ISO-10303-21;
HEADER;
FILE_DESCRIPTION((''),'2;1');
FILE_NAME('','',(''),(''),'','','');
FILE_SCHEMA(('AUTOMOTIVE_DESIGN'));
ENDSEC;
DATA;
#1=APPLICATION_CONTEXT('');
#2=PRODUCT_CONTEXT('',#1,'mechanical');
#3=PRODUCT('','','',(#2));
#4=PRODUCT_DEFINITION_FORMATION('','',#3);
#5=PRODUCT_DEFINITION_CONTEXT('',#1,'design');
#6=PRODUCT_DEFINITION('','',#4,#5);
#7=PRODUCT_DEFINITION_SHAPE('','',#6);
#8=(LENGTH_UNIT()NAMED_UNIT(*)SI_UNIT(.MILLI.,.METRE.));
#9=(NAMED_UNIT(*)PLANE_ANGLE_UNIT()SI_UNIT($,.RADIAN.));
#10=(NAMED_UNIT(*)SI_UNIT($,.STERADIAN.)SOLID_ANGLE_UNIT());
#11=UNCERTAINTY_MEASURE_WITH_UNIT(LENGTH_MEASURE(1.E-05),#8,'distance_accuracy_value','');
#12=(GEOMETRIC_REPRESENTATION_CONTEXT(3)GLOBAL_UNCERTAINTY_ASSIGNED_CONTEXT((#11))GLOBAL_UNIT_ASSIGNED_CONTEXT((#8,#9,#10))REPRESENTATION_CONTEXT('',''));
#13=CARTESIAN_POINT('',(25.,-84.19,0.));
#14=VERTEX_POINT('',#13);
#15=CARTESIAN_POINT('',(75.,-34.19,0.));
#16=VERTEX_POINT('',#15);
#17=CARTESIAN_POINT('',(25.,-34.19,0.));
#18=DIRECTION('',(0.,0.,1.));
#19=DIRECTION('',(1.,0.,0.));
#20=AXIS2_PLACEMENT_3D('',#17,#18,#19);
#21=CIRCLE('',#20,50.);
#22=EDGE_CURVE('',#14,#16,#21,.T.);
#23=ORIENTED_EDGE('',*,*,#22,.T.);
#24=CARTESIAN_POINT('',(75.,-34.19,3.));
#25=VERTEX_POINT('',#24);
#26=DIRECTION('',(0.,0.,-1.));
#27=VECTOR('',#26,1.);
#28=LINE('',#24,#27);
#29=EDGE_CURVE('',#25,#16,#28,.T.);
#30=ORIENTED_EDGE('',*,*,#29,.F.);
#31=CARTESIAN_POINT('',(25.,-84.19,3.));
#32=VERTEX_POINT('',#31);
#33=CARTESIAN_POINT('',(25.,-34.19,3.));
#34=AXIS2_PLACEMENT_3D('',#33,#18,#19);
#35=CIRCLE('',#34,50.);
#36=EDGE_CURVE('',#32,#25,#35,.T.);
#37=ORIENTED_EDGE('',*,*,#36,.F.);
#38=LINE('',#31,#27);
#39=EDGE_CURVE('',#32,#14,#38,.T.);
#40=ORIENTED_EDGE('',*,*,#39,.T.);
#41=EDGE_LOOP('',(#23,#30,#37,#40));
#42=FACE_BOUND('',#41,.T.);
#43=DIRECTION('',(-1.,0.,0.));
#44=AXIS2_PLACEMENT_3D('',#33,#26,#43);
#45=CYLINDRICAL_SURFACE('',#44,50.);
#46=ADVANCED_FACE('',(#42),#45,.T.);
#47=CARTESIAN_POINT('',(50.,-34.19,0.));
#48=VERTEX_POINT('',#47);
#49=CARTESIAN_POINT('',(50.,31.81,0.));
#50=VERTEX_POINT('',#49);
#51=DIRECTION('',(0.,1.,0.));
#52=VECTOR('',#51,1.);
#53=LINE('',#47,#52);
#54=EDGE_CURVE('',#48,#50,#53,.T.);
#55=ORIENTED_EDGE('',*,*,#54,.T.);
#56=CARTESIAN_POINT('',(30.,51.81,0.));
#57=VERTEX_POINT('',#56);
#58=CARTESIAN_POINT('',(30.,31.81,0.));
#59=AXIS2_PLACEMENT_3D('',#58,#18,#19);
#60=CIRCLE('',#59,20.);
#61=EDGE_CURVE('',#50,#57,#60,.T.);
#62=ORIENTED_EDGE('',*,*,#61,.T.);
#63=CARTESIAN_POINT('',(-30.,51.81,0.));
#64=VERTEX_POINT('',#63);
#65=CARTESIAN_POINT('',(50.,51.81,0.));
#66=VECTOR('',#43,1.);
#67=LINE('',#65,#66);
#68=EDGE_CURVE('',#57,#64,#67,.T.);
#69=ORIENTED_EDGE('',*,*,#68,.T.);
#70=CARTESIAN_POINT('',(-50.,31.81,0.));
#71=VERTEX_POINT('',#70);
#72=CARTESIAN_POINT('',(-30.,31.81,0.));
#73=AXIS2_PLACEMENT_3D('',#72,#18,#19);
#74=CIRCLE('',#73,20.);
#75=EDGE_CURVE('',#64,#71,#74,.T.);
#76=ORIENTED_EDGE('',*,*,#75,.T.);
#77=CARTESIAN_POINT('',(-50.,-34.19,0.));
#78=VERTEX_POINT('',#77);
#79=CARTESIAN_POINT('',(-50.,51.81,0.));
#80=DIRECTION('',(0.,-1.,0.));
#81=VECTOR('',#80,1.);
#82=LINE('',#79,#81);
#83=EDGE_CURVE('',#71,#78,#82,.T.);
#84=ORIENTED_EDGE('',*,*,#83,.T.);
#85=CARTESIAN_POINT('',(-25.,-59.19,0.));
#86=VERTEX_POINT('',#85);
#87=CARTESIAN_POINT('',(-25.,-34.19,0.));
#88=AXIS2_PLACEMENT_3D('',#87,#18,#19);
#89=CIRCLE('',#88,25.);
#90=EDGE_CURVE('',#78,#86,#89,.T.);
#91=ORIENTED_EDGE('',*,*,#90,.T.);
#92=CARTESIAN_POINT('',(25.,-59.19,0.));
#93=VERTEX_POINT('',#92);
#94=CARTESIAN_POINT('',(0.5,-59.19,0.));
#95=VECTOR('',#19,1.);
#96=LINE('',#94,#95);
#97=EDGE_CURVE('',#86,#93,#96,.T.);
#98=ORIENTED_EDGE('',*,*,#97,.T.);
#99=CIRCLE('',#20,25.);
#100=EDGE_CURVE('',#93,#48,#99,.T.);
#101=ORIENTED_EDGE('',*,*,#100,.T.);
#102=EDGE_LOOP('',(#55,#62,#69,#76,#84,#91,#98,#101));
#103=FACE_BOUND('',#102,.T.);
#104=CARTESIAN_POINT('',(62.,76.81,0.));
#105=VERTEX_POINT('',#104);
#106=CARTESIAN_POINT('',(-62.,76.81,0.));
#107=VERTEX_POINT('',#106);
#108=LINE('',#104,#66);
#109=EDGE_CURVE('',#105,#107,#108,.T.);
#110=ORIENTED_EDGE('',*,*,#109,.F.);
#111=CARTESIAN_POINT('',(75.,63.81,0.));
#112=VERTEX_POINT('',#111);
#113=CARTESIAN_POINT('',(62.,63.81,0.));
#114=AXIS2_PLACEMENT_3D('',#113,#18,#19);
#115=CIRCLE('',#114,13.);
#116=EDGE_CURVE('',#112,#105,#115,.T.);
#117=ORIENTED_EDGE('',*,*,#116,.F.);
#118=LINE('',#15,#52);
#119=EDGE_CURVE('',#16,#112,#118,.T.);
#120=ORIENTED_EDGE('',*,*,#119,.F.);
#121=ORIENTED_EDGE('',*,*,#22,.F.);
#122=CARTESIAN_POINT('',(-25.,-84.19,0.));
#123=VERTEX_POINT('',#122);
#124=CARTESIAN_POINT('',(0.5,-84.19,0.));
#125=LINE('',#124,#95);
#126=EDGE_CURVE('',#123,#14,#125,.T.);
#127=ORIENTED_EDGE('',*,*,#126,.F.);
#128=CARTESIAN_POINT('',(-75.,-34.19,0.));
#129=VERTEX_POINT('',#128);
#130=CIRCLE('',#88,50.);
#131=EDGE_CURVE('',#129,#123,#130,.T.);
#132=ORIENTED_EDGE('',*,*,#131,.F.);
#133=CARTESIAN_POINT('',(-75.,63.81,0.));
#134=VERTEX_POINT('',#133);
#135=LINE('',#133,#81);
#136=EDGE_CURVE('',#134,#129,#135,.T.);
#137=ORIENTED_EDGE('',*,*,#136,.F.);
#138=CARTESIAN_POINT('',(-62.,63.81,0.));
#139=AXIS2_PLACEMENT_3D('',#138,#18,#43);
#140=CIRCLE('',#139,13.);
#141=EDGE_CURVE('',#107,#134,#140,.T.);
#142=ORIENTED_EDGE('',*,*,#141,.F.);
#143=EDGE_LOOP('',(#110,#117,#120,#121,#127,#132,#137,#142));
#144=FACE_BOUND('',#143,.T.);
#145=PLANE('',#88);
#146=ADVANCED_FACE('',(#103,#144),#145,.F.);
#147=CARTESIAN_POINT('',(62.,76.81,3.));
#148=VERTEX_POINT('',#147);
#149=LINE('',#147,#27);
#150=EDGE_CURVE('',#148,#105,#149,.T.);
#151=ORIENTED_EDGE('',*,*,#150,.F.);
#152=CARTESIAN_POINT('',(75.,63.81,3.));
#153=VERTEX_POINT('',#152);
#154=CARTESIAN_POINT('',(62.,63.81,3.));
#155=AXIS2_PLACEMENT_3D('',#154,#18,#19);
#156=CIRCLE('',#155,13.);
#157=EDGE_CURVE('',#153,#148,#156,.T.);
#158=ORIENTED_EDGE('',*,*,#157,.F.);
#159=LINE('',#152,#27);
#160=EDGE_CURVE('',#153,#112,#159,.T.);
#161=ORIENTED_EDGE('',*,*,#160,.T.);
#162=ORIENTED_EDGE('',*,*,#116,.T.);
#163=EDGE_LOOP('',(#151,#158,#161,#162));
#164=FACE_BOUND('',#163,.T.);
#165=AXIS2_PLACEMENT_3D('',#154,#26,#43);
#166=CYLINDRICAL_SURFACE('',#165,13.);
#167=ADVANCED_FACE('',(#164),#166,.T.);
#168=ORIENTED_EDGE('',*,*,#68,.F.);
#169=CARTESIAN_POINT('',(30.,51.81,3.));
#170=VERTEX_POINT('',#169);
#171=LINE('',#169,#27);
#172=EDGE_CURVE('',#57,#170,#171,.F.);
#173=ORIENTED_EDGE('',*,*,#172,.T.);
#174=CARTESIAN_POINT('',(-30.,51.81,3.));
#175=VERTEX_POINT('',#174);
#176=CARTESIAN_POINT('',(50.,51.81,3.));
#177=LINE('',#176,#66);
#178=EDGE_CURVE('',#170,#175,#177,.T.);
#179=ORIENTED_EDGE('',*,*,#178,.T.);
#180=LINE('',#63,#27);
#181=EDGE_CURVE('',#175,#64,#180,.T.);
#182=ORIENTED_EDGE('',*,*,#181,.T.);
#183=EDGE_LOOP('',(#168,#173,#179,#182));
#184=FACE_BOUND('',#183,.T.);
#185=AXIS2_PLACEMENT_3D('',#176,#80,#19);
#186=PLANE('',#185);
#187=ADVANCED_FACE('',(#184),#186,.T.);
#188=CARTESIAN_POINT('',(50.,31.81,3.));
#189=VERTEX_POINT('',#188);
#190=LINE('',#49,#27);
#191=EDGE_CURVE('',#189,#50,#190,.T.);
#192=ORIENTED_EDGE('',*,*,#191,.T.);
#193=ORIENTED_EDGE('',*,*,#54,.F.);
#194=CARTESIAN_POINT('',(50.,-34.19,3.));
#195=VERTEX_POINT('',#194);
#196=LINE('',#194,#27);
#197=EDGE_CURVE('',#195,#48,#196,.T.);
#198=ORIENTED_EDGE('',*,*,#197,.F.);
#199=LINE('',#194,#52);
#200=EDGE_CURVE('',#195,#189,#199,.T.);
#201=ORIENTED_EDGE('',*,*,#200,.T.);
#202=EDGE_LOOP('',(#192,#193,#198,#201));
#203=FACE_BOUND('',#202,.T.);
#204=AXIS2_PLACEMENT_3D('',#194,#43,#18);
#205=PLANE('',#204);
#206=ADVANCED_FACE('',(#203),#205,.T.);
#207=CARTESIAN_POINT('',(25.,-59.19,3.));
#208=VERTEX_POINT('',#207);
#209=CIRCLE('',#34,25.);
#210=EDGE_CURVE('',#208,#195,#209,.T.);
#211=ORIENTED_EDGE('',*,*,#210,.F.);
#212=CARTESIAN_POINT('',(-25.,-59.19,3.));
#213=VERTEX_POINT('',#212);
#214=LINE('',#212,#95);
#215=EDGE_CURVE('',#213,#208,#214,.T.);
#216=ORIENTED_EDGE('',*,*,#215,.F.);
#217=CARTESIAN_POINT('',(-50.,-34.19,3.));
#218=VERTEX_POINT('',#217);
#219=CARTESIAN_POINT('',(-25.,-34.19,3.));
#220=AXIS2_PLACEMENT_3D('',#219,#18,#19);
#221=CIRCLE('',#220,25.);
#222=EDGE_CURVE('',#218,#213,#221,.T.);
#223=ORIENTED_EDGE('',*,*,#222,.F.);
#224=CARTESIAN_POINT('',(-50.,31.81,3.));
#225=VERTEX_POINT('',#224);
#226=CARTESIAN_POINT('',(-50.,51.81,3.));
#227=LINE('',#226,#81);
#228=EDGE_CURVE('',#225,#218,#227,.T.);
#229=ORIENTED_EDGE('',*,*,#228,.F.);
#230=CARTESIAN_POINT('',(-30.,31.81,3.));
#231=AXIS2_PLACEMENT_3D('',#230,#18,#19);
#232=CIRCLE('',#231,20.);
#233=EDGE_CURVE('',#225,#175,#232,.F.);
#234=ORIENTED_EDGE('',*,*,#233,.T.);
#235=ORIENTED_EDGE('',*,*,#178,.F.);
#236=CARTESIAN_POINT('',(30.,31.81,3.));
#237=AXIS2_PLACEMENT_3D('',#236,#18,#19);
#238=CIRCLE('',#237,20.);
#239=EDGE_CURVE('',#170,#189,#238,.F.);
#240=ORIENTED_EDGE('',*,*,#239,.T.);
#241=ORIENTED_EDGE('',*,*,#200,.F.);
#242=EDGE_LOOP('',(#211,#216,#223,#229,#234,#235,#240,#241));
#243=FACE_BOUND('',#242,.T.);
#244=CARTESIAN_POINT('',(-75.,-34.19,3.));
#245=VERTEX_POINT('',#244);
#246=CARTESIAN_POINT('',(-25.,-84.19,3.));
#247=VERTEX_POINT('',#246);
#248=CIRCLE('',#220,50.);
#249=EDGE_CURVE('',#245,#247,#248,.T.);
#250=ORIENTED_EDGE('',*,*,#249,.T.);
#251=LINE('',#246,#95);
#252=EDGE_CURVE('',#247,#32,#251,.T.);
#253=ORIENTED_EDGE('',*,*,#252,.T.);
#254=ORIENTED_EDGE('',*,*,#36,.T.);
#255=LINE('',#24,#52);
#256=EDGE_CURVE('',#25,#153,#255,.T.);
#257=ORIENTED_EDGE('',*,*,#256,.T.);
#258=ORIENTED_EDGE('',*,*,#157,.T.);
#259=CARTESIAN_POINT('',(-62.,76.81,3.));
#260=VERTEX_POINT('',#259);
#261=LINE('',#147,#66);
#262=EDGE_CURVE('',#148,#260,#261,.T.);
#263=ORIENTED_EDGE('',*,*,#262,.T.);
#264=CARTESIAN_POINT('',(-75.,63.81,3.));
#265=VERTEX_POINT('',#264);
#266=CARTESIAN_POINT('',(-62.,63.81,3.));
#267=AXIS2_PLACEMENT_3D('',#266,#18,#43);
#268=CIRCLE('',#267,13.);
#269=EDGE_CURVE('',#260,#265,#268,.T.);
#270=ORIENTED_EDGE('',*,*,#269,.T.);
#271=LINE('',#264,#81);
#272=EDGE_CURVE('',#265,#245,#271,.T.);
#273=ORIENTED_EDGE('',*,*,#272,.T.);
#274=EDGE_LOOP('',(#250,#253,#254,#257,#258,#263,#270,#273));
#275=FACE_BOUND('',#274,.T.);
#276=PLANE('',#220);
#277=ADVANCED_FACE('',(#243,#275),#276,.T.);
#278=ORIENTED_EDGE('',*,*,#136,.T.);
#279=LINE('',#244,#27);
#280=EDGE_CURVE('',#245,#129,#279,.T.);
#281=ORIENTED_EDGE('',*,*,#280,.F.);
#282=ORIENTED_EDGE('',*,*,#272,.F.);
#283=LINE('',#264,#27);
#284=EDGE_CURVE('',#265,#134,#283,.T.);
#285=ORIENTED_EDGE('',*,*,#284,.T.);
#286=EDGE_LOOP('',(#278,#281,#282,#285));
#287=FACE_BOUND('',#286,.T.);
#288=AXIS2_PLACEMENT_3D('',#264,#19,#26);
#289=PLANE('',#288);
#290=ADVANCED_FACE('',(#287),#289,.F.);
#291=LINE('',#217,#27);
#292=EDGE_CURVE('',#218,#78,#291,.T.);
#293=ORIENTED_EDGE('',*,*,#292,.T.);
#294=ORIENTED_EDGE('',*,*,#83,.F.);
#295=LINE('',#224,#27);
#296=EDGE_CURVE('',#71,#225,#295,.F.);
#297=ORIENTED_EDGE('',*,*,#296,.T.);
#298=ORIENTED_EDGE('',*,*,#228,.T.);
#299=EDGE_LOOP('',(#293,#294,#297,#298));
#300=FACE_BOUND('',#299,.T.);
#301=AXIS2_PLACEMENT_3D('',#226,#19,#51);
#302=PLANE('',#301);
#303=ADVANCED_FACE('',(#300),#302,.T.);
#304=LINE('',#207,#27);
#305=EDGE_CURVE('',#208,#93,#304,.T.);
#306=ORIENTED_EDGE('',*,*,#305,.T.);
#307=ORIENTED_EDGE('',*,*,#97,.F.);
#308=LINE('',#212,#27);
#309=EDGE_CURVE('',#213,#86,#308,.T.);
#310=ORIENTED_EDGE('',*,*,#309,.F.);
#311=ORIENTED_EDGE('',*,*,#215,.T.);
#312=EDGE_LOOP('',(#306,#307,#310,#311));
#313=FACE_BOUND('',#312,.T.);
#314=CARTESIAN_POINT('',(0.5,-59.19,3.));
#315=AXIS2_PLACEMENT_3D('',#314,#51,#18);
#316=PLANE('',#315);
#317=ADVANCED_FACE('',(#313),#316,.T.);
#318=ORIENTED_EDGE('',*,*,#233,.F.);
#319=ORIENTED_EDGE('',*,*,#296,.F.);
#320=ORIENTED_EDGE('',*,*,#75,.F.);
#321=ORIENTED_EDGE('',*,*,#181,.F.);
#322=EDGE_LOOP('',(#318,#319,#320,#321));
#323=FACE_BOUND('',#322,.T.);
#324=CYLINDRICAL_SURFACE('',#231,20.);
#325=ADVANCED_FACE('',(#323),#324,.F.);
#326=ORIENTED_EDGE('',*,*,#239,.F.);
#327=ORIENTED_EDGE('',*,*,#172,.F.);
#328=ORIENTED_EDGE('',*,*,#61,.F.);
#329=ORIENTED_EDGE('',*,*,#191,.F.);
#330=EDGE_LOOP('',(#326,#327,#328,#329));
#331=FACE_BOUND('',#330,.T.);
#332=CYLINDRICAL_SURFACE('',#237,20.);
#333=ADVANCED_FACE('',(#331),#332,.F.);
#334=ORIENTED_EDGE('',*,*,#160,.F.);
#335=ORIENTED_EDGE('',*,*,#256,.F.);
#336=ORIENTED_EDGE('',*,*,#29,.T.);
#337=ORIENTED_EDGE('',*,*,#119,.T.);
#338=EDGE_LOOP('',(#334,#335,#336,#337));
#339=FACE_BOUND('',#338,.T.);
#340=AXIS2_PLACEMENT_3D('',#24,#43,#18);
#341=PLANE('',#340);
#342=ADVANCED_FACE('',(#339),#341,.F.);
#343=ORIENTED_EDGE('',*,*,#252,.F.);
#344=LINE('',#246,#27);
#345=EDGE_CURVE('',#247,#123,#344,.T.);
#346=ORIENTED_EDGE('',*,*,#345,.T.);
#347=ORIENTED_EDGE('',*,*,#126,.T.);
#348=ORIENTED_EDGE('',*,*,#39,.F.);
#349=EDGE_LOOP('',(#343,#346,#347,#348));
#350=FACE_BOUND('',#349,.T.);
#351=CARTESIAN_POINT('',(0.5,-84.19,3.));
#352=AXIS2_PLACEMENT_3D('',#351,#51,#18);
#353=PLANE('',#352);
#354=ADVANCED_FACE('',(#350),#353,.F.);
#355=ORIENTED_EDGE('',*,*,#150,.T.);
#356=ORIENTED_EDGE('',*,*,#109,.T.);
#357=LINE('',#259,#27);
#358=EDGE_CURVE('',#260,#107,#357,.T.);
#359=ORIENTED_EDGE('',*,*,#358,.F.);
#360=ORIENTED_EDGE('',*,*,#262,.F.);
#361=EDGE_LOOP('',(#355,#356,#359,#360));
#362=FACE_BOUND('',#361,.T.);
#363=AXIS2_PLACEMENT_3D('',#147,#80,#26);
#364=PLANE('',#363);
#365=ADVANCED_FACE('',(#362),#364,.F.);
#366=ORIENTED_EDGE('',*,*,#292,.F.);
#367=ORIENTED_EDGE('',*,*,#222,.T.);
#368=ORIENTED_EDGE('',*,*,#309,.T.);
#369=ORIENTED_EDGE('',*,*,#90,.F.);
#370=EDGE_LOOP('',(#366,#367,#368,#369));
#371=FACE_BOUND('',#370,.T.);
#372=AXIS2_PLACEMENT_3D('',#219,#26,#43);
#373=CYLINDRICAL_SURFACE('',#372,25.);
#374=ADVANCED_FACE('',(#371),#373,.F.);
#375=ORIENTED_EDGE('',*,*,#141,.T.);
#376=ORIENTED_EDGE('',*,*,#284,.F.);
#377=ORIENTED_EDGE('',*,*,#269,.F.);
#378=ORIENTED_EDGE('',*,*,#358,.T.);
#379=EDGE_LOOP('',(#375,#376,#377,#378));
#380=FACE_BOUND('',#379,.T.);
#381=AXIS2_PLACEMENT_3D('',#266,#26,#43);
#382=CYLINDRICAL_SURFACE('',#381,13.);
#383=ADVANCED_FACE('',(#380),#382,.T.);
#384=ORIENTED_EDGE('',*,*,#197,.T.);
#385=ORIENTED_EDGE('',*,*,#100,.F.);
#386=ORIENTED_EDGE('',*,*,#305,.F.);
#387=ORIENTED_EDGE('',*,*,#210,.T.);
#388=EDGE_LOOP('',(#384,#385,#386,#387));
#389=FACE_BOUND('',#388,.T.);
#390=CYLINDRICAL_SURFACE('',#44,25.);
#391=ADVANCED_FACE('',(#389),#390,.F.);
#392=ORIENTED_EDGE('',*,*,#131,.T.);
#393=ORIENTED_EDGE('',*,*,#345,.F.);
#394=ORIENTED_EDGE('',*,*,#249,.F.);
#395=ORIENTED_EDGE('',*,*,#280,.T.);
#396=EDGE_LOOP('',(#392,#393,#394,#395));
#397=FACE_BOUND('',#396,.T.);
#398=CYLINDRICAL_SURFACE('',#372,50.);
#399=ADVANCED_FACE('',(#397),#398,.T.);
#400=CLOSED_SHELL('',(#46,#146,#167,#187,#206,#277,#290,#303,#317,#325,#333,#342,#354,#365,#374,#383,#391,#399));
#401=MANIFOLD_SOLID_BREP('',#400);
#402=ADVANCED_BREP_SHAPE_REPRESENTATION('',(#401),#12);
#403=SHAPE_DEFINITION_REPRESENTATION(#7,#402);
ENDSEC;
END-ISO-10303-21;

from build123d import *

# Parameters (mm, degrees)
BOSS_EXTRUDE1_DEPTH = 3
FILLET1_R           = 20


with BuildPart() as part:
    # Sketch1 → Boss-Extrude1 (new body)
    with BuildSketch(Plane.XY):
        with BuildLine():
            Line((-0.5, -84.19), (0.5, -84.19))
            Line((0.5, -84.19), (25, -84.19))
            ThreePointArc((25, -84.19), (60.355339059, -69.545339059), (75, -34.19))
            Line((75, -34.19), (75, 63.81))
            ThreePointArc((75, 63.81), (71.192388155, 73.002388155), (62, 76.81))
            Line((62, 76.81), (-62, 76.81))
            ThreePointArc((-62, 76.81), (-71.192388155, 73.002388155), (-75, 63.81))
            Line((-75, 63.81), (-75, -34.19))
            ThreePointArc((-75, -34.19), (-60.355339059, -69.545339059), (-25, -84.19))
            Line((-25, -84.19), (-0.5, -84.19))
        make_face()
        with BuildLine():
            Line((50, 51.81), (-50, 51.81))
            Line((-50, 51.81), (-50, -34.19))
            ThreePointArc((-50, -34.19), (-42.67766953, -51.86766953), (-25, -59.19))
            Line((-25, -59.19), (-0.5, -59.19))
            Line((-0.5, -59.19), (0.5, -59.19))
            Line((0.5, -59.19), (25, -59.19))
            ThreePointArc((25, -59.19), (42.67766953, -51.86766953), (50, -34.19))
            Line((50, -34.19), (50, 51.81))
        make_face(mode=Mode.SUBTRACT)
    extrude(amount=BOSS_EXTRUDE1_DEPTH)

    # Fillet1
    fillet1_edges = [part.edges().sort_by_distance(p)[0] for p in [
        (50, 51.81, 1.5),
        (-50, 51.81, 1.5),
    ]]
    fillet(fillet1_edges, radius=FILLET1_R)


solid = part.part
